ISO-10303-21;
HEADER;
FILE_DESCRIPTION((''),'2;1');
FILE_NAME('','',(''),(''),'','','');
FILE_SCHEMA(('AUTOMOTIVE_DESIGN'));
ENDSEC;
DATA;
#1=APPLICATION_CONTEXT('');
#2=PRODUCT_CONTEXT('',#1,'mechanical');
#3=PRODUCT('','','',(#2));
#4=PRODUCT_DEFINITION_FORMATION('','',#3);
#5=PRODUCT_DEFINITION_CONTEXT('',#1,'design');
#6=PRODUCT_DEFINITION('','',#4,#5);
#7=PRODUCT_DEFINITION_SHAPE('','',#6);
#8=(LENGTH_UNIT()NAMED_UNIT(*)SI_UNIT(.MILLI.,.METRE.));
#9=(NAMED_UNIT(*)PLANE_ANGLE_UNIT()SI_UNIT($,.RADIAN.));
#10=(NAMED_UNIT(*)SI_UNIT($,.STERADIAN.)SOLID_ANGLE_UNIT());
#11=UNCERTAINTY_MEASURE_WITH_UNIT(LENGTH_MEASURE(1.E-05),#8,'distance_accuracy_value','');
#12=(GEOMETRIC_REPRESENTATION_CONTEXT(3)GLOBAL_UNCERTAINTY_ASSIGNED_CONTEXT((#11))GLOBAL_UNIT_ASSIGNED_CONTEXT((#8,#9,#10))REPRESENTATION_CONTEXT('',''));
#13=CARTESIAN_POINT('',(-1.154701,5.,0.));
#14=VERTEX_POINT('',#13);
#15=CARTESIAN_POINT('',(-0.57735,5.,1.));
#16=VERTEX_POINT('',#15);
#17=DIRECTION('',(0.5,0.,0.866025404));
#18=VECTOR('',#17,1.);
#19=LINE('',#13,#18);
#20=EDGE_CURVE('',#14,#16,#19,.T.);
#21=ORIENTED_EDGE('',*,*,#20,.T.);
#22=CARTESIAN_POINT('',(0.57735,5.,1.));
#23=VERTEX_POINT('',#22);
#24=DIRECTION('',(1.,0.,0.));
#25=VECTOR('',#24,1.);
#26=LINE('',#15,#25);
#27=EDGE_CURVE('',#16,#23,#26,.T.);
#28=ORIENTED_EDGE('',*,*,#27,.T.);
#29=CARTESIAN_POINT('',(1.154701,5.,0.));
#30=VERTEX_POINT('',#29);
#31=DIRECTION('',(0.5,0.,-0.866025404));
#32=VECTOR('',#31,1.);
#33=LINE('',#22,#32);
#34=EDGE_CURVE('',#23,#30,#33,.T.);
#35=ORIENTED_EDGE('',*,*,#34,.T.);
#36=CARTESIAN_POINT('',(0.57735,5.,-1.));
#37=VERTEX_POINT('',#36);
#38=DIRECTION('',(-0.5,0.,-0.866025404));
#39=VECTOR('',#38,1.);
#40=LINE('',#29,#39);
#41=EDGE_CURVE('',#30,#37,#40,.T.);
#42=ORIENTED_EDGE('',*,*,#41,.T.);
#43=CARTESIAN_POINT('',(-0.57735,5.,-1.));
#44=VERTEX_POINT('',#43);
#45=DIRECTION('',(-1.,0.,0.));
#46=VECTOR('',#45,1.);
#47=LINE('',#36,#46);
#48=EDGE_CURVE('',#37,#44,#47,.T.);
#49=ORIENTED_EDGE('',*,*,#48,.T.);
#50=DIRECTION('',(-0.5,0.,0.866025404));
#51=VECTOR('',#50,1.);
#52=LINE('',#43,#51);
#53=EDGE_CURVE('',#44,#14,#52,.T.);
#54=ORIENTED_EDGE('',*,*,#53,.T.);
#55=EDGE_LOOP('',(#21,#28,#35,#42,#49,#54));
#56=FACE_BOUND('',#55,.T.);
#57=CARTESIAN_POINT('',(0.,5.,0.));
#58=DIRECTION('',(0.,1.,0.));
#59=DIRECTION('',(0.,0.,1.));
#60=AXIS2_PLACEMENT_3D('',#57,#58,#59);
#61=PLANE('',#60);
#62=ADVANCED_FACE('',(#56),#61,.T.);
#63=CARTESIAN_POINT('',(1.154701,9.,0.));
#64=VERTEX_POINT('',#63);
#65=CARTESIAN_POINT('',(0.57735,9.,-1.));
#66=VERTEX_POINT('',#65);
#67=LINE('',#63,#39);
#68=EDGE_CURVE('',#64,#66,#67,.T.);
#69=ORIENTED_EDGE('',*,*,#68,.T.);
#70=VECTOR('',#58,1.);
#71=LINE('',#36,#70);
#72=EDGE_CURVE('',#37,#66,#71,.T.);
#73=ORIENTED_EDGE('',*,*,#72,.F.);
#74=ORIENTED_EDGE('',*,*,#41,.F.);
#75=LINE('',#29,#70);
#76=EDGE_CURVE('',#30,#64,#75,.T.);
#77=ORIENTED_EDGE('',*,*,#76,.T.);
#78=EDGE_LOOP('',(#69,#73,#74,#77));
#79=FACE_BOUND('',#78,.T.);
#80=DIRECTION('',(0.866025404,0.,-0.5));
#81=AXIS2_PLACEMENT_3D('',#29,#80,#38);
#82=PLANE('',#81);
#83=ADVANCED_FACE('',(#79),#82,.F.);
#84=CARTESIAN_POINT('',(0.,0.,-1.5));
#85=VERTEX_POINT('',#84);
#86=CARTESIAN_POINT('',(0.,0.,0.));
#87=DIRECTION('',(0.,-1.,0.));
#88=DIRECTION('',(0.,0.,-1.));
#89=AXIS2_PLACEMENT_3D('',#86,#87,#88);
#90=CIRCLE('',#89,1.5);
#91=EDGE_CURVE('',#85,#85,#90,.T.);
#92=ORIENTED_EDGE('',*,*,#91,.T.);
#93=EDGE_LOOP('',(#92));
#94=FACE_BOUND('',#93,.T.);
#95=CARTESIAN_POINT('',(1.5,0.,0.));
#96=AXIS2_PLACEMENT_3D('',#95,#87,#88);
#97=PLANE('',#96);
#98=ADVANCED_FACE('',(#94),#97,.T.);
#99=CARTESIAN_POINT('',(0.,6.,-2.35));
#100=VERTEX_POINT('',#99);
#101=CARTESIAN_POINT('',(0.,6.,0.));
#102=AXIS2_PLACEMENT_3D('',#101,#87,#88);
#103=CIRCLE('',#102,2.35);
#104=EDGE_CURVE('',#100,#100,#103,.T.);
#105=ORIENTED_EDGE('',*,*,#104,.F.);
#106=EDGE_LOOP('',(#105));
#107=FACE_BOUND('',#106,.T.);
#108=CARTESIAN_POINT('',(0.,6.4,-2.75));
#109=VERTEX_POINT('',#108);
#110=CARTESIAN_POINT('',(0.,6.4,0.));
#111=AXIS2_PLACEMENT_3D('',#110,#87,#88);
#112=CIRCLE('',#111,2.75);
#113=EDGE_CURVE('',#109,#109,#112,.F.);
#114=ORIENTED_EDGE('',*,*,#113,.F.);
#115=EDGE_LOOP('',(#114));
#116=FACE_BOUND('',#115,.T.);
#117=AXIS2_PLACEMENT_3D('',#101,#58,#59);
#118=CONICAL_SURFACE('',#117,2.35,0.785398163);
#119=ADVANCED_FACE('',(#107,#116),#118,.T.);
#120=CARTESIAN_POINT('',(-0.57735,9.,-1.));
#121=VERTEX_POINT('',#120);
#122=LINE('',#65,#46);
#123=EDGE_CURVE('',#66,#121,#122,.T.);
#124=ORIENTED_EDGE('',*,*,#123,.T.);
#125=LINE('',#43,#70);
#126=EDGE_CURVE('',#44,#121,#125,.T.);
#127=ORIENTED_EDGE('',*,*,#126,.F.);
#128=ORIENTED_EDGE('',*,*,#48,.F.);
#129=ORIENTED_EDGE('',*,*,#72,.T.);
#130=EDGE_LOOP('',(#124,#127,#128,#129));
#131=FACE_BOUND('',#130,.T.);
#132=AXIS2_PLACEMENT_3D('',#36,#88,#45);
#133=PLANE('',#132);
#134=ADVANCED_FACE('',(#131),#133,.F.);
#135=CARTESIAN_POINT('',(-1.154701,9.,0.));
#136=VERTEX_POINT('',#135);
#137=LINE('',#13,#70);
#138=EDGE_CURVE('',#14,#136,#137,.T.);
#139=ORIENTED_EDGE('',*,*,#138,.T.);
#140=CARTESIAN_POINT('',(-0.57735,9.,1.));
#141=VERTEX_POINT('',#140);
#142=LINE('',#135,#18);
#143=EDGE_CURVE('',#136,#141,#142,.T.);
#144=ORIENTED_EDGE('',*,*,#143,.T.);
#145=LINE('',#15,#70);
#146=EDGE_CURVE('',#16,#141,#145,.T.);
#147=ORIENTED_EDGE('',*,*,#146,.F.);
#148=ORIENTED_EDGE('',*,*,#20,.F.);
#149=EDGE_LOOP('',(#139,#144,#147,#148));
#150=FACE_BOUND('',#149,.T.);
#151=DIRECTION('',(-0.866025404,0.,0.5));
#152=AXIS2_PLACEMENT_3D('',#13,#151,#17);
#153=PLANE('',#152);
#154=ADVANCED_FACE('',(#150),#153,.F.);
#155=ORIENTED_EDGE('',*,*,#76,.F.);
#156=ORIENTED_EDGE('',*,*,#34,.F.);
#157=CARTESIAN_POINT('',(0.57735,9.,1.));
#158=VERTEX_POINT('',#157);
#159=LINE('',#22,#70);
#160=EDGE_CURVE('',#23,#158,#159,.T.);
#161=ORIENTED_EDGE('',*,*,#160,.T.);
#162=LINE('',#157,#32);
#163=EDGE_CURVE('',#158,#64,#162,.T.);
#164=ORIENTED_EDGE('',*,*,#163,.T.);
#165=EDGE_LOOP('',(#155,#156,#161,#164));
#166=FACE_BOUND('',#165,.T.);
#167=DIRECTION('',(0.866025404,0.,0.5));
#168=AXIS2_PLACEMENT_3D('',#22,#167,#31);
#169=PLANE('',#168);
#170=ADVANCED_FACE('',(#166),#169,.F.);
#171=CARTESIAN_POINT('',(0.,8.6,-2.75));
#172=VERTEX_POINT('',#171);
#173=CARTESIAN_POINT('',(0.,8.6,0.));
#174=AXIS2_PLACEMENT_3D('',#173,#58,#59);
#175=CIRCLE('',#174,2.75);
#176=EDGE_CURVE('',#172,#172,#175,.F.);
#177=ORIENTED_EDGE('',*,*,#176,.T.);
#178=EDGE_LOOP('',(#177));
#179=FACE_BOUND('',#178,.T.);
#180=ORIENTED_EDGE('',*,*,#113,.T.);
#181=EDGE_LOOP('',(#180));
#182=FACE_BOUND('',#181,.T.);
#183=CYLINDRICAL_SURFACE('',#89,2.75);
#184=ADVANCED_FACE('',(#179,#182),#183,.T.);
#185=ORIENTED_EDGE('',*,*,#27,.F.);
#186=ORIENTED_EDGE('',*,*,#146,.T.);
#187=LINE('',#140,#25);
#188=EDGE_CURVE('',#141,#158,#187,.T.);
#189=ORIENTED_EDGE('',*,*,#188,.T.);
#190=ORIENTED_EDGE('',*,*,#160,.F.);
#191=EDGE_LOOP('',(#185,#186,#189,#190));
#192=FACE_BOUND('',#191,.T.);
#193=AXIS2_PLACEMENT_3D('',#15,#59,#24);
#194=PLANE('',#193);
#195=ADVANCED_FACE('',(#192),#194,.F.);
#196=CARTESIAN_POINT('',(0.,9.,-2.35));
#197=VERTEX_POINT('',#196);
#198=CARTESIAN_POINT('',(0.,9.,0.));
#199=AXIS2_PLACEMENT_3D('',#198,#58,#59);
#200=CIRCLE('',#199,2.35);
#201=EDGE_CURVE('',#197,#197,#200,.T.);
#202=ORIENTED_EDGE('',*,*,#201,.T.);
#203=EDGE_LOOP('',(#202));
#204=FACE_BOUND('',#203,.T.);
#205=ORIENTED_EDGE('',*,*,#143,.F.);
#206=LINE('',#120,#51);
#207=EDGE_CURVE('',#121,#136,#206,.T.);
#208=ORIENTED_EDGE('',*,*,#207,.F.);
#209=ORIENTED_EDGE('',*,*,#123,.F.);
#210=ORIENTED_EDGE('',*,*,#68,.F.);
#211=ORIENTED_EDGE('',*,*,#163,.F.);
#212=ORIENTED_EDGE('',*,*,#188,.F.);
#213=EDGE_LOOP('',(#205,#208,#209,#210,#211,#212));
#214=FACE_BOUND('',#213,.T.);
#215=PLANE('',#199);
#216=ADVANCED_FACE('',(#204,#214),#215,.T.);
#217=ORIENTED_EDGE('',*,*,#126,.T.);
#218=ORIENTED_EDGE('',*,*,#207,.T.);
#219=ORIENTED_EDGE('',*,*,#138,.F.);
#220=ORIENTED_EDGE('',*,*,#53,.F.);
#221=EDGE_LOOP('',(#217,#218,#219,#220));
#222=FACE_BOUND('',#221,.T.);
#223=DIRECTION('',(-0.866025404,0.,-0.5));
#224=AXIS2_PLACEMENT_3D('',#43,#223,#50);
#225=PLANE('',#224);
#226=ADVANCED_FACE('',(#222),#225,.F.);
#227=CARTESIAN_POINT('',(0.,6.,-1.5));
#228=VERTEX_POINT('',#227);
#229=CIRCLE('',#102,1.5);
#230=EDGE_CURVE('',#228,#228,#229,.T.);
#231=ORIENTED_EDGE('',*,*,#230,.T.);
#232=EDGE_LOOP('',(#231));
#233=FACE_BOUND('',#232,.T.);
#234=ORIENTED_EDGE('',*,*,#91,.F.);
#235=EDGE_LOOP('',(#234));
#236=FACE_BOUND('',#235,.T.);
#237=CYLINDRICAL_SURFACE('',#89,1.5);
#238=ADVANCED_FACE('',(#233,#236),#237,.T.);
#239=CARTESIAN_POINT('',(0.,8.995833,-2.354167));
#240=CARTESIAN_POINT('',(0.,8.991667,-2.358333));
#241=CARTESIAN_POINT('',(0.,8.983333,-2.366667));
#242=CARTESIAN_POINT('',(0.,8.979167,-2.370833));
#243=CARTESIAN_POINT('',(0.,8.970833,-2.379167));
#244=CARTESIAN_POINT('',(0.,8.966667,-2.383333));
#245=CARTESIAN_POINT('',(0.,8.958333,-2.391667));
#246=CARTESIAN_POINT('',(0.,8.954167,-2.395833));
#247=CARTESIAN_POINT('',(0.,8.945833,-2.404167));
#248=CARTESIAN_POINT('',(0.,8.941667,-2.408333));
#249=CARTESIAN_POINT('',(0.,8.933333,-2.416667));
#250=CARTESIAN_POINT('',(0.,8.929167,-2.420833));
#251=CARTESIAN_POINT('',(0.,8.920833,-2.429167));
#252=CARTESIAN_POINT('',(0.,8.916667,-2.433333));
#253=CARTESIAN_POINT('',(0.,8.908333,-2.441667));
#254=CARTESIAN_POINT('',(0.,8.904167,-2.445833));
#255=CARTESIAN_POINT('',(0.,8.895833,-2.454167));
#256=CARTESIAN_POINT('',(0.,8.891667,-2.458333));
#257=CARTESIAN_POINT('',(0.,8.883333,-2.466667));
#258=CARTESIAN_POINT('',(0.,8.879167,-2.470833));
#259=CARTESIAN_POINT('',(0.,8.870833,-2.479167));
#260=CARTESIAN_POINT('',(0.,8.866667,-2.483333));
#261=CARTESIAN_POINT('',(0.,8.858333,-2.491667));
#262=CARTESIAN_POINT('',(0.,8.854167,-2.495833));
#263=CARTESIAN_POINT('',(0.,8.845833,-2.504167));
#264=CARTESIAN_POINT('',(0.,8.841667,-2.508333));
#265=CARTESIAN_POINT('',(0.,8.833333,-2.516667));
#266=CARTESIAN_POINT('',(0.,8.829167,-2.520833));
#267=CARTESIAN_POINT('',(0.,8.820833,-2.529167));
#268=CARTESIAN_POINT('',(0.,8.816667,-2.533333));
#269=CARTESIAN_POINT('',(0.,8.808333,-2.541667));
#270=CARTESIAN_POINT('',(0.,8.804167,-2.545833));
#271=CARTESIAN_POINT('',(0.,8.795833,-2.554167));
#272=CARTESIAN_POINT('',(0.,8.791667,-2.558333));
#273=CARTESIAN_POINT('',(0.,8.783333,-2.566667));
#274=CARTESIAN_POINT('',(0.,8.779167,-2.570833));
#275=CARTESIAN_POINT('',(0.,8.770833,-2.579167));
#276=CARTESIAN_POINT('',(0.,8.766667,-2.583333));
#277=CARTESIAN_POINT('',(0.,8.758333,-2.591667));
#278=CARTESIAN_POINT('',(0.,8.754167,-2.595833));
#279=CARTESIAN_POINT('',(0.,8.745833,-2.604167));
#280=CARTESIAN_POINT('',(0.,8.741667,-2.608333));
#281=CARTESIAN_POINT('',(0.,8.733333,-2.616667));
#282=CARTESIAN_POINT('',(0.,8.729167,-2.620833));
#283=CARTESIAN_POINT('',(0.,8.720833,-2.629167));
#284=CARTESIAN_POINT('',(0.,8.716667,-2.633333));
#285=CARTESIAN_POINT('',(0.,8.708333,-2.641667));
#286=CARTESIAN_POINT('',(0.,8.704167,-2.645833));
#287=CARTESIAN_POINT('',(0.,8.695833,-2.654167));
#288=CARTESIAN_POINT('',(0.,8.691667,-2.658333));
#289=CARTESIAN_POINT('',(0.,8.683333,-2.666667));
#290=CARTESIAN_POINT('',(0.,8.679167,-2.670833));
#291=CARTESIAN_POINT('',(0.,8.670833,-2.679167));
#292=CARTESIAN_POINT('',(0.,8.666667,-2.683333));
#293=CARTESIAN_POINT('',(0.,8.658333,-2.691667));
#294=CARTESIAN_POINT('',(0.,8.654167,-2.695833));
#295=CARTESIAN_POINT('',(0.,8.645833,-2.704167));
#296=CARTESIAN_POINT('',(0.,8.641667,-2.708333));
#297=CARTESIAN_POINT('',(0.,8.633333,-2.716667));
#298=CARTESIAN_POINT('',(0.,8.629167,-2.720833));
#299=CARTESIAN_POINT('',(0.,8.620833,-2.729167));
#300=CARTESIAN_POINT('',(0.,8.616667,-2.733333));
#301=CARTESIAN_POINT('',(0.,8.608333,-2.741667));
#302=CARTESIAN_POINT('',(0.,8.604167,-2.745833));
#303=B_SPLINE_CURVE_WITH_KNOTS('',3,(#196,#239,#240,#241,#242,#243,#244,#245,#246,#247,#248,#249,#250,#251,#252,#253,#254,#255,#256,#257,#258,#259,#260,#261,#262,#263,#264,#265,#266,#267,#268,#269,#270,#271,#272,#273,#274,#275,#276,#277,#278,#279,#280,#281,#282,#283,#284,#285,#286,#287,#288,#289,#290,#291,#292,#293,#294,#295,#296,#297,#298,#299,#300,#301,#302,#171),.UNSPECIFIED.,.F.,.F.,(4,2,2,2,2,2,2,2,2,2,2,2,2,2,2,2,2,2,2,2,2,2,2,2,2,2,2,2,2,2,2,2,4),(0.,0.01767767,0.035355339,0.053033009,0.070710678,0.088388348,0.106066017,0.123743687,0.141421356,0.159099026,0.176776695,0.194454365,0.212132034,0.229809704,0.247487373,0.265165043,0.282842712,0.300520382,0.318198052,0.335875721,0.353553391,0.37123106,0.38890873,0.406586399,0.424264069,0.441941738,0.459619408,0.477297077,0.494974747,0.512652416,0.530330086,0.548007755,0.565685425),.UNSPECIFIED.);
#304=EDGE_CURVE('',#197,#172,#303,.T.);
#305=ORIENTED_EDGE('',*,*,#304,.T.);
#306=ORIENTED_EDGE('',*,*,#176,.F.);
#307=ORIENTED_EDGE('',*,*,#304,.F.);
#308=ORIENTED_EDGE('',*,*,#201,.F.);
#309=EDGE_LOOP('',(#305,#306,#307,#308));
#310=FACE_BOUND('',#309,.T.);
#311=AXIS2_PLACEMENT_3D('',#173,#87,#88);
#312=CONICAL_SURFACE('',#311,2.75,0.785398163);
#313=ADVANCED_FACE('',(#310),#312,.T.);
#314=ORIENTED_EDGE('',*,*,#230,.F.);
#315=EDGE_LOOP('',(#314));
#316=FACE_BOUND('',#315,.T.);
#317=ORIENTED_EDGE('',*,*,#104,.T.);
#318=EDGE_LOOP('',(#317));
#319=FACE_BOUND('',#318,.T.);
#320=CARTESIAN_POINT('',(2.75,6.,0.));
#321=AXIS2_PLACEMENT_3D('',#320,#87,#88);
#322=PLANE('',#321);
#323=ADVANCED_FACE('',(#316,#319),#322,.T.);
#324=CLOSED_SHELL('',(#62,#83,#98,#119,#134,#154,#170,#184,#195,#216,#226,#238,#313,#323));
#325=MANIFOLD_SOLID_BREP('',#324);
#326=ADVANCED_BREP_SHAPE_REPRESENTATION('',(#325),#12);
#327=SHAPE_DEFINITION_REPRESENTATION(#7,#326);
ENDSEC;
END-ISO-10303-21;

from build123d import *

# Parameters (mm, degrees)
CHAMFER1_SIZE      = 0.4
CUT_EXTRUDE1_DEPTH = 4


with BuildPart() as part:
    # Sketch1 → Revolve3 (revolve)
    with BuildSketch(Plane.XY, mode=Mode.PRIVATE) as revolve3_sk:
        Polygon((0, 9), (2.75, 9), (2.75, 6), (1.5, 6), (1.5, 0), (0, 0), align=None)
    revolve(revolve3_sk.sketch.rotate(Axis((0, 0, 0), (0, 1, 0)), 90), axis=Axis((0, 0, 0), (0, 1, 0)))

    # Chamfer1
    chamfer1_edges = [part.edges().sort_by_distance(p)[0] for p in [
        (0, 6, 2.75),
        (0, 9, 2.75),
    ]]
    chamfer(chamfer1_edges, length=CHAMFER1_SIZE)

    # Sketch2 → Cut-Extrude1 (cut)
    with BuildSketch(Plane(origin=(0, 9, 0), x_dir=(1, 0, 0), z_dir=(0, 1, 0))):
        Polygon((0.577350269, -1), (1.154700538, 0), (0.577350269, 1), (-0.577350269, 1), (-1.154700538, 0), (-0.577350269, -1), align=None)
    extrude(amount=-CUT_EXTRUDE1_DEPTH, mode=Mode.SUBTRACT)


solid = part.part
